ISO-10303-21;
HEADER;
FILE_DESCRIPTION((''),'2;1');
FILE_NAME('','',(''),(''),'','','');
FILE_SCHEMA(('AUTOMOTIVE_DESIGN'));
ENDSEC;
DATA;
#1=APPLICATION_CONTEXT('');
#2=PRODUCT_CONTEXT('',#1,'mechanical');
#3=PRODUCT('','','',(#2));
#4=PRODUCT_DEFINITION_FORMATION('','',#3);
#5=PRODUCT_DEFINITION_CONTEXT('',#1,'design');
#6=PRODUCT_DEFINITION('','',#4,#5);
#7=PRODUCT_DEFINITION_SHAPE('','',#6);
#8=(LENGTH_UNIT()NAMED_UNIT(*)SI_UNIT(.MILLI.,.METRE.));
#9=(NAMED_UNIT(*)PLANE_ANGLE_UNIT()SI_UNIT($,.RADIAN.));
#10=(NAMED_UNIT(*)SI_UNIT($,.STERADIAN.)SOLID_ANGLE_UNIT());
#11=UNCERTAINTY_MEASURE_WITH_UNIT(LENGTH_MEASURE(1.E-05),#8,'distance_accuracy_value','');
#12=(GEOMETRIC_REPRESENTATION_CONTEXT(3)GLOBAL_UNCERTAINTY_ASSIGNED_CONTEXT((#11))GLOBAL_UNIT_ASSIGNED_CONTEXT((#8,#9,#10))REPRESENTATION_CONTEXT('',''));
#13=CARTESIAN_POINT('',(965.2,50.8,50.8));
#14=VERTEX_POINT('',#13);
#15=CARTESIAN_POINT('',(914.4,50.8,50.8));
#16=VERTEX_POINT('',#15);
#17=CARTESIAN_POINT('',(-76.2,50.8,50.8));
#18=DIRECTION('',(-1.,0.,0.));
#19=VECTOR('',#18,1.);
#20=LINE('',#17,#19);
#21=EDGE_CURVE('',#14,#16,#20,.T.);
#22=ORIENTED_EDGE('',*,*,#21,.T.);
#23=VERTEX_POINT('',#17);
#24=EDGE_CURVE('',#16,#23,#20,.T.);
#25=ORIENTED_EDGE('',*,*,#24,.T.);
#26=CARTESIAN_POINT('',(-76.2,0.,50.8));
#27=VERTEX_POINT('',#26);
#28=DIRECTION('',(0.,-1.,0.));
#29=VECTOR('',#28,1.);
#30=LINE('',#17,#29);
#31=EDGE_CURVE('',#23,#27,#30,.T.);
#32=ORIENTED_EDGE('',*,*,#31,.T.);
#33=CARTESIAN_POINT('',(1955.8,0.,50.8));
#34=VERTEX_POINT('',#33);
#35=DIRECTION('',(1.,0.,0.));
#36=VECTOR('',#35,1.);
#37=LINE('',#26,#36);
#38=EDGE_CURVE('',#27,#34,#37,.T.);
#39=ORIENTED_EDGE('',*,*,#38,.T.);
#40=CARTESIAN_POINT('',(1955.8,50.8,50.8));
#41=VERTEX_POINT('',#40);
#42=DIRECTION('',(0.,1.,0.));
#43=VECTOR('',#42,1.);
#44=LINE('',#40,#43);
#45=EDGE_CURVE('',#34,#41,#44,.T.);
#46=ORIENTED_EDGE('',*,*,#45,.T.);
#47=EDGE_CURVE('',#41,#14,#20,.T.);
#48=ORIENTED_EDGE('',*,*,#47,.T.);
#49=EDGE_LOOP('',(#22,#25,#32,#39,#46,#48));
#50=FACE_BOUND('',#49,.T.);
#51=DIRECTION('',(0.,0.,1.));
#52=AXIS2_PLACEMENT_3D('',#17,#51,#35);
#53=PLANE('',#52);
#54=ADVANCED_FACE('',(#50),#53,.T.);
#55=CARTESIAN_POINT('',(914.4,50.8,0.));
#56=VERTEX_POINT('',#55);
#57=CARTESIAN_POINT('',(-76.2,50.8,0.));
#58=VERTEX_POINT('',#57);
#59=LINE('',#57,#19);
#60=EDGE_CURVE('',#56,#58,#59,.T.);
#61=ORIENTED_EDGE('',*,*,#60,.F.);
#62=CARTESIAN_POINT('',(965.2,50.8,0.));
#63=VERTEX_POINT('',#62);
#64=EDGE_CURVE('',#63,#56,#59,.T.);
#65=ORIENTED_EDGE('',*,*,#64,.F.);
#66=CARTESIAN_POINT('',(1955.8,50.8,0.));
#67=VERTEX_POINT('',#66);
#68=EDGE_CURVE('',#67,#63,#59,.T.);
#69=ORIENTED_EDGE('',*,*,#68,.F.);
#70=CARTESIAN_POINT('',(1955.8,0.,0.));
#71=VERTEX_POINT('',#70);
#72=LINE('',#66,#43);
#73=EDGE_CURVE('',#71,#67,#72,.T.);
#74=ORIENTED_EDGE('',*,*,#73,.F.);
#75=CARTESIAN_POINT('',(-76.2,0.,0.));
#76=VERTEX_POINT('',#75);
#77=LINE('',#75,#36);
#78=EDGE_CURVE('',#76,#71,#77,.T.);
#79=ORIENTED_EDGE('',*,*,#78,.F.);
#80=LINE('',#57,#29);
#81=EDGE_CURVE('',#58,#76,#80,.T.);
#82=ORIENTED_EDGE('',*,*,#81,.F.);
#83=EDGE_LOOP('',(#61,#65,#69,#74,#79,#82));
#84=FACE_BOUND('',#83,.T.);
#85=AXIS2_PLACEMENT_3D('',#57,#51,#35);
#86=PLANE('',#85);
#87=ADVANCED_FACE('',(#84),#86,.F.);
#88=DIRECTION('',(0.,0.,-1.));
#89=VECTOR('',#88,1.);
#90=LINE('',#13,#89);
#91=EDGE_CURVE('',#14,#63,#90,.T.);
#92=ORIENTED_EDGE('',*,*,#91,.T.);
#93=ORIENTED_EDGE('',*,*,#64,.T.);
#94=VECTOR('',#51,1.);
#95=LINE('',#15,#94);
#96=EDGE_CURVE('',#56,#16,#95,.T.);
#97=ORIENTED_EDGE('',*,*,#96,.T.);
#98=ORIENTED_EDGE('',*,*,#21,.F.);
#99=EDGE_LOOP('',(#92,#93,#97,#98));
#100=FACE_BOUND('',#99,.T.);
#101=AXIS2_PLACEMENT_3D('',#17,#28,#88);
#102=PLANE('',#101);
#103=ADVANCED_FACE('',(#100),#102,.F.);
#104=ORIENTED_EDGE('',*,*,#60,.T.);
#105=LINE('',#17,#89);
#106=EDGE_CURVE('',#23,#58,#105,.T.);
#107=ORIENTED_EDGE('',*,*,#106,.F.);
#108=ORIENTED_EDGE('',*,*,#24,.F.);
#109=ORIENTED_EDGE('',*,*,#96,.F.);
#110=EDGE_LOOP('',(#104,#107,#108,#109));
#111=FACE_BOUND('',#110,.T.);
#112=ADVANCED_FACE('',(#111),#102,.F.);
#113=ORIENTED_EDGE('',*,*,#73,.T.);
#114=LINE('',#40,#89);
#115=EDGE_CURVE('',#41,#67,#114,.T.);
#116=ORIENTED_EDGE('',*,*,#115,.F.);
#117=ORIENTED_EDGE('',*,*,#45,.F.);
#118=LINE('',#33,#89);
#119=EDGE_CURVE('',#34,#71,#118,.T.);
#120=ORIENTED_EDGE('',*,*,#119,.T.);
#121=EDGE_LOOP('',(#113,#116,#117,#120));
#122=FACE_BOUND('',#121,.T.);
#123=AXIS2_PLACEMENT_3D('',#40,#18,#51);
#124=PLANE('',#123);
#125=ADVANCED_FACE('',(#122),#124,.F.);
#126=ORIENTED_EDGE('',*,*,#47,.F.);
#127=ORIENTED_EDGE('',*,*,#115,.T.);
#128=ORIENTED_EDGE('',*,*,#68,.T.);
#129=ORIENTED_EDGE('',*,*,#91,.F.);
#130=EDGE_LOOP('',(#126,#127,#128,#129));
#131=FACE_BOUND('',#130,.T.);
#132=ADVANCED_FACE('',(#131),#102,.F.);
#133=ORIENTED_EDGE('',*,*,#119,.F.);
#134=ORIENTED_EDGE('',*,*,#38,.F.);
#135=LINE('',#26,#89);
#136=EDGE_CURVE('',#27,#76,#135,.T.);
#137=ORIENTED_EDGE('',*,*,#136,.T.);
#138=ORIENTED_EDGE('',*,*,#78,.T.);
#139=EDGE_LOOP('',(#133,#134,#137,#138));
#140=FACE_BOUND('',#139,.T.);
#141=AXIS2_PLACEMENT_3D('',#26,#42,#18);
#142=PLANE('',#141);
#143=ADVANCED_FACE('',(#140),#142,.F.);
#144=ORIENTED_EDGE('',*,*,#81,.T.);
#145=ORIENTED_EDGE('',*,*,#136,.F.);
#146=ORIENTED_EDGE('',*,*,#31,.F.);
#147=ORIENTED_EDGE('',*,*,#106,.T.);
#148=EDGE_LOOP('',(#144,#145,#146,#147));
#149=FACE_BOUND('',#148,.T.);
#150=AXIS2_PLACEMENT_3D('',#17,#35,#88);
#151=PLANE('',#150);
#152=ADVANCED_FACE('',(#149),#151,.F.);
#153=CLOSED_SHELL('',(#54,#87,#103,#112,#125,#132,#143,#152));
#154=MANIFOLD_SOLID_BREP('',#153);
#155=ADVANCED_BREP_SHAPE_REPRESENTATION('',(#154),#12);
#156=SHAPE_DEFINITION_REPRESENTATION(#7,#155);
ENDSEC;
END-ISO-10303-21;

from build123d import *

# Parameters (mm, degrees)
SKETCH1_W      = 2032
SKETCH1_H      = 50.8
EXTRUDE1_DEPTH = 50.8


with BuildPart() as part:
    # Sketch1 → Extrude1 (new body)
    with BuildSketch(Plane.XY):
        with Locations((939.8, 25.4)):
            Rectangle(SKETCH1_W, SKETCH1_H)
    extrude(amount=EXTRUDE1_DEPTH)


solid = part.part
